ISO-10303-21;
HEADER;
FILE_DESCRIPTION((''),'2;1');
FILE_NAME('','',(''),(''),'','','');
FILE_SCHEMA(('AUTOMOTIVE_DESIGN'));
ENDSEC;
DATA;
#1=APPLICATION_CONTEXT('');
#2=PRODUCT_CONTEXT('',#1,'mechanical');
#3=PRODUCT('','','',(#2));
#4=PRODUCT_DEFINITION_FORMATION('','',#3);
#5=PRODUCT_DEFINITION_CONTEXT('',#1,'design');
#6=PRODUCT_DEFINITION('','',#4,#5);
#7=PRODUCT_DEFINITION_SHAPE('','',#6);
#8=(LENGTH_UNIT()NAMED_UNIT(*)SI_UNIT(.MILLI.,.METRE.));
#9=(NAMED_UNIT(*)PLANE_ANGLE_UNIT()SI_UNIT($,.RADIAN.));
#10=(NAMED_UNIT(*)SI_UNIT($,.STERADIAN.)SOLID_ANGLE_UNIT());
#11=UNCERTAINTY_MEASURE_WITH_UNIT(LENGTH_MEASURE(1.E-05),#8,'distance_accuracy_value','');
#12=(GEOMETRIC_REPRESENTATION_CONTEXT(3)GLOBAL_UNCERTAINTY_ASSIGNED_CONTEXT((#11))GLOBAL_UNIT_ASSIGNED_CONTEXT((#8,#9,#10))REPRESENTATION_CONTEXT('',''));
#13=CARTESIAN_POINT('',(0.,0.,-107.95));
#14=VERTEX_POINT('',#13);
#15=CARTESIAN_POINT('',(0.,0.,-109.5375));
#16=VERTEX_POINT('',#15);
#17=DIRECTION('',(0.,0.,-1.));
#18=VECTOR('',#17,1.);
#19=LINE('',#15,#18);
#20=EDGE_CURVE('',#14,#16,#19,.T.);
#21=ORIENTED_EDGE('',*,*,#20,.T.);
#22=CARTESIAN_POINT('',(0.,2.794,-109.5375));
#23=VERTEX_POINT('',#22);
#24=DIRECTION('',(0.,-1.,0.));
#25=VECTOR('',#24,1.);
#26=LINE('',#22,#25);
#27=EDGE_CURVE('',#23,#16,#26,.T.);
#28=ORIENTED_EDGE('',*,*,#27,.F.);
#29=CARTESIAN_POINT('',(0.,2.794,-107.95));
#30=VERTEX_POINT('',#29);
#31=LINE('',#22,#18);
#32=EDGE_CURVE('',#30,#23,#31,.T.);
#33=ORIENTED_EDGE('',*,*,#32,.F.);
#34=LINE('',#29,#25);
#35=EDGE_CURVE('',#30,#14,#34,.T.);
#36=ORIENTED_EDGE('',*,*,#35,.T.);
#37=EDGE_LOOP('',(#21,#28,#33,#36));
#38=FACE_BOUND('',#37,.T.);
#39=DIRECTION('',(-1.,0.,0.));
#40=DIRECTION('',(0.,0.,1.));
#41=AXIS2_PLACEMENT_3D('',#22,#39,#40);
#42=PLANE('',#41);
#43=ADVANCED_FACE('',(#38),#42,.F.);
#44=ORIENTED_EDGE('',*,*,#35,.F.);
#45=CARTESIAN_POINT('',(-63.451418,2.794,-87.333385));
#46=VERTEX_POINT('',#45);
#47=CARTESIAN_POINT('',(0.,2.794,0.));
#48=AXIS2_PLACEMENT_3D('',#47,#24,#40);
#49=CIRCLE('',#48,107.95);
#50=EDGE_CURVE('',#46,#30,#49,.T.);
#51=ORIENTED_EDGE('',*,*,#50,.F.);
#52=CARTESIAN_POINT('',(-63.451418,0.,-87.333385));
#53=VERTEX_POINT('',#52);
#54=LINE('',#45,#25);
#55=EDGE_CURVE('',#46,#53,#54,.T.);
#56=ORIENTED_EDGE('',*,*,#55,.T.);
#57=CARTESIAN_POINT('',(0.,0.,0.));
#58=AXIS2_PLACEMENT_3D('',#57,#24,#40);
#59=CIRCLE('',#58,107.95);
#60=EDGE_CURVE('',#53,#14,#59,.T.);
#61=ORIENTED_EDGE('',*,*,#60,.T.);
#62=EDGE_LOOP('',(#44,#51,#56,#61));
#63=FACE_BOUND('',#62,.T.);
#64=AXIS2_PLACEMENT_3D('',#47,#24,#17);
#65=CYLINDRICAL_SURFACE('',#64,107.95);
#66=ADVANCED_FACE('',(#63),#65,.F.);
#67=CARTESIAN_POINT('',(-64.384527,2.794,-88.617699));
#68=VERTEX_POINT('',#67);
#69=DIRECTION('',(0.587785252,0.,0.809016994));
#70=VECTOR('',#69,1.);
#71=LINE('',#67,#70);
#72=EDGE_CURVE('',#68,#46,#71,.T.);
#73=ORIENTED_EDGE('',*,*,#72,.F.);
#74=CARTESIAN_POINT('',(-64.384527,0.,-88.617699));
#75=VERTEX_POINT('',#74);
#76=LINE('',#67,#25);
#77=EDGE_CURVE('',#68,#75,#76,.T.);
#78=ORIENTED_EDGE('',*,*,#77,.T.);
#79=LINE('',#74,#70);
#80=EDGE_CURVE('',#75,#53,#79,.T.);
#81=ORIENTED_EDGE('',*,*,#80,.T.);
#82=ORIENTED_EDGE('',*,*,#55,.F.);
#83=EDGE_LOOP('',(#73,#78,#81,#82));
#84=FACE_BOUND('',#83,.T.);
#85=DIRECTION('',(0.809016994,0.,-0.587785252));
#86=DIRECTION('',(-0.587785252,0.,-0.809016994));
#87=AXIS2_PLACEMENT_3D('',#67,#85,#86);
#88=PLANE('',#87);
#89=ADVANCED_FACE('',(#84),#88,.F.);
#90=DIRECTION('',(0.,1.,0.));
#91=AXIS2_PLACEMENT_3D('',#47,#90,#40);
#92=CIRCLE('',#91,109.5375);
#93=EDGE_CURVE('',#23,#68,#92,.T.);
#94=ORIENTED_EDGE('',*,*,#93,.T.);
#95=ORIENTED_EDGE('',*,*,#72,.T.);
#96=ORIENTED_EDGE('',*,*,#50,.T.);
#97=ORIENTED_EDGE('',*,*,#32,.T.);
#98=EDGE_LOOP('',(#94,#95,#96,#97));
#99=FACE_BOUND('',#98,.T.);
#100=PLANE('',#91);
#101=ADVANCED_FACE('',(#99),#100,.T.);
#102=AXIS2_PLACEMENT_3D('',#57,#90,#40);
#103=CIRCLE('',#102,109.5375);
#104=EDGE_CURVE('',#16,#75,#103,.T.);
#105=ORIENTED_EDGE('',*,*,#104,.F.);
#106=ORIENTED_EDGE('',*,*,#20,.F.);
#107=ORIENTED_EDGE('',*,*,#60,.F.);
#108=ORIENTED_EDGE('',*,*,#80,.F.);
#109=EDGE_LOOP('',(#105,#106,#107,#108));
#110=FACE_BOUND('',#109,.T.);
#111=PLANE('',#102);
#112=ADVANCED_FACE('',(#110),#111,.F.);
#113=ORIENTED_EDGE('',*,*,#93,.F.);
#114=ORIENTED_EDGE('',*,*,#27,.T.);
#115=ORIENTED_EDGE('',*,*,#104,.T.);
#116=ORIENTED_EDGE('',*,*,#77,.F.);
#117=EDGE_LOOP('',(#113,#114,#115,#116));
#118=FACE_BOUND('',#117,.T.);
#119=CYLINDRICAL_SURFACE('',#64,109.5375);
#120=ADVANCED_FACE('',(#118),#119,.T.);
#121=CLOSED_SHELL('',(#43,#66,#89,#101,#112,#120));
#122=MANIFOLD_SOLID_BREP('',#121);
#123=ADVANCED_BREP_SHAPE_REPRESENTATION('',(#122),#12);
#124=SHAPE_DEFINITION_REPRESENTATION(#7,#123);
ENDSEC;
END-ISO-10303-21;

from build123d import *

# Parameters (mm, degrees)
BOSS_EXTRUDE1_DEPTH = 2.794


with BuildPart() as part:
    # Sketch1 → Boss-Extrude1 (new body)
    with BuildSketch(Plane(origin=(0, 0, 0), x_dir=(1, 0, 0), z_dir=(0, 1, 0))):
        with BuildLine():
            Line((-64.384527073, 88.617699021), (-63.451417985, 87.333384543))
            ThreePointArc((-63.451417985, 87.333384543), (-33.358384543, 102.666550934), (0, 107.95))
            Line((0, 107.95), (0, 109.5375))
            ThreePointArc((0, 109.5375), (-33.848949021, 104.176353154), (-64.384527073, 88.617699021))
        make_face()
    extrude(amount=BOSS_EXTRUDE1_DEPTH)


solid = part.part
